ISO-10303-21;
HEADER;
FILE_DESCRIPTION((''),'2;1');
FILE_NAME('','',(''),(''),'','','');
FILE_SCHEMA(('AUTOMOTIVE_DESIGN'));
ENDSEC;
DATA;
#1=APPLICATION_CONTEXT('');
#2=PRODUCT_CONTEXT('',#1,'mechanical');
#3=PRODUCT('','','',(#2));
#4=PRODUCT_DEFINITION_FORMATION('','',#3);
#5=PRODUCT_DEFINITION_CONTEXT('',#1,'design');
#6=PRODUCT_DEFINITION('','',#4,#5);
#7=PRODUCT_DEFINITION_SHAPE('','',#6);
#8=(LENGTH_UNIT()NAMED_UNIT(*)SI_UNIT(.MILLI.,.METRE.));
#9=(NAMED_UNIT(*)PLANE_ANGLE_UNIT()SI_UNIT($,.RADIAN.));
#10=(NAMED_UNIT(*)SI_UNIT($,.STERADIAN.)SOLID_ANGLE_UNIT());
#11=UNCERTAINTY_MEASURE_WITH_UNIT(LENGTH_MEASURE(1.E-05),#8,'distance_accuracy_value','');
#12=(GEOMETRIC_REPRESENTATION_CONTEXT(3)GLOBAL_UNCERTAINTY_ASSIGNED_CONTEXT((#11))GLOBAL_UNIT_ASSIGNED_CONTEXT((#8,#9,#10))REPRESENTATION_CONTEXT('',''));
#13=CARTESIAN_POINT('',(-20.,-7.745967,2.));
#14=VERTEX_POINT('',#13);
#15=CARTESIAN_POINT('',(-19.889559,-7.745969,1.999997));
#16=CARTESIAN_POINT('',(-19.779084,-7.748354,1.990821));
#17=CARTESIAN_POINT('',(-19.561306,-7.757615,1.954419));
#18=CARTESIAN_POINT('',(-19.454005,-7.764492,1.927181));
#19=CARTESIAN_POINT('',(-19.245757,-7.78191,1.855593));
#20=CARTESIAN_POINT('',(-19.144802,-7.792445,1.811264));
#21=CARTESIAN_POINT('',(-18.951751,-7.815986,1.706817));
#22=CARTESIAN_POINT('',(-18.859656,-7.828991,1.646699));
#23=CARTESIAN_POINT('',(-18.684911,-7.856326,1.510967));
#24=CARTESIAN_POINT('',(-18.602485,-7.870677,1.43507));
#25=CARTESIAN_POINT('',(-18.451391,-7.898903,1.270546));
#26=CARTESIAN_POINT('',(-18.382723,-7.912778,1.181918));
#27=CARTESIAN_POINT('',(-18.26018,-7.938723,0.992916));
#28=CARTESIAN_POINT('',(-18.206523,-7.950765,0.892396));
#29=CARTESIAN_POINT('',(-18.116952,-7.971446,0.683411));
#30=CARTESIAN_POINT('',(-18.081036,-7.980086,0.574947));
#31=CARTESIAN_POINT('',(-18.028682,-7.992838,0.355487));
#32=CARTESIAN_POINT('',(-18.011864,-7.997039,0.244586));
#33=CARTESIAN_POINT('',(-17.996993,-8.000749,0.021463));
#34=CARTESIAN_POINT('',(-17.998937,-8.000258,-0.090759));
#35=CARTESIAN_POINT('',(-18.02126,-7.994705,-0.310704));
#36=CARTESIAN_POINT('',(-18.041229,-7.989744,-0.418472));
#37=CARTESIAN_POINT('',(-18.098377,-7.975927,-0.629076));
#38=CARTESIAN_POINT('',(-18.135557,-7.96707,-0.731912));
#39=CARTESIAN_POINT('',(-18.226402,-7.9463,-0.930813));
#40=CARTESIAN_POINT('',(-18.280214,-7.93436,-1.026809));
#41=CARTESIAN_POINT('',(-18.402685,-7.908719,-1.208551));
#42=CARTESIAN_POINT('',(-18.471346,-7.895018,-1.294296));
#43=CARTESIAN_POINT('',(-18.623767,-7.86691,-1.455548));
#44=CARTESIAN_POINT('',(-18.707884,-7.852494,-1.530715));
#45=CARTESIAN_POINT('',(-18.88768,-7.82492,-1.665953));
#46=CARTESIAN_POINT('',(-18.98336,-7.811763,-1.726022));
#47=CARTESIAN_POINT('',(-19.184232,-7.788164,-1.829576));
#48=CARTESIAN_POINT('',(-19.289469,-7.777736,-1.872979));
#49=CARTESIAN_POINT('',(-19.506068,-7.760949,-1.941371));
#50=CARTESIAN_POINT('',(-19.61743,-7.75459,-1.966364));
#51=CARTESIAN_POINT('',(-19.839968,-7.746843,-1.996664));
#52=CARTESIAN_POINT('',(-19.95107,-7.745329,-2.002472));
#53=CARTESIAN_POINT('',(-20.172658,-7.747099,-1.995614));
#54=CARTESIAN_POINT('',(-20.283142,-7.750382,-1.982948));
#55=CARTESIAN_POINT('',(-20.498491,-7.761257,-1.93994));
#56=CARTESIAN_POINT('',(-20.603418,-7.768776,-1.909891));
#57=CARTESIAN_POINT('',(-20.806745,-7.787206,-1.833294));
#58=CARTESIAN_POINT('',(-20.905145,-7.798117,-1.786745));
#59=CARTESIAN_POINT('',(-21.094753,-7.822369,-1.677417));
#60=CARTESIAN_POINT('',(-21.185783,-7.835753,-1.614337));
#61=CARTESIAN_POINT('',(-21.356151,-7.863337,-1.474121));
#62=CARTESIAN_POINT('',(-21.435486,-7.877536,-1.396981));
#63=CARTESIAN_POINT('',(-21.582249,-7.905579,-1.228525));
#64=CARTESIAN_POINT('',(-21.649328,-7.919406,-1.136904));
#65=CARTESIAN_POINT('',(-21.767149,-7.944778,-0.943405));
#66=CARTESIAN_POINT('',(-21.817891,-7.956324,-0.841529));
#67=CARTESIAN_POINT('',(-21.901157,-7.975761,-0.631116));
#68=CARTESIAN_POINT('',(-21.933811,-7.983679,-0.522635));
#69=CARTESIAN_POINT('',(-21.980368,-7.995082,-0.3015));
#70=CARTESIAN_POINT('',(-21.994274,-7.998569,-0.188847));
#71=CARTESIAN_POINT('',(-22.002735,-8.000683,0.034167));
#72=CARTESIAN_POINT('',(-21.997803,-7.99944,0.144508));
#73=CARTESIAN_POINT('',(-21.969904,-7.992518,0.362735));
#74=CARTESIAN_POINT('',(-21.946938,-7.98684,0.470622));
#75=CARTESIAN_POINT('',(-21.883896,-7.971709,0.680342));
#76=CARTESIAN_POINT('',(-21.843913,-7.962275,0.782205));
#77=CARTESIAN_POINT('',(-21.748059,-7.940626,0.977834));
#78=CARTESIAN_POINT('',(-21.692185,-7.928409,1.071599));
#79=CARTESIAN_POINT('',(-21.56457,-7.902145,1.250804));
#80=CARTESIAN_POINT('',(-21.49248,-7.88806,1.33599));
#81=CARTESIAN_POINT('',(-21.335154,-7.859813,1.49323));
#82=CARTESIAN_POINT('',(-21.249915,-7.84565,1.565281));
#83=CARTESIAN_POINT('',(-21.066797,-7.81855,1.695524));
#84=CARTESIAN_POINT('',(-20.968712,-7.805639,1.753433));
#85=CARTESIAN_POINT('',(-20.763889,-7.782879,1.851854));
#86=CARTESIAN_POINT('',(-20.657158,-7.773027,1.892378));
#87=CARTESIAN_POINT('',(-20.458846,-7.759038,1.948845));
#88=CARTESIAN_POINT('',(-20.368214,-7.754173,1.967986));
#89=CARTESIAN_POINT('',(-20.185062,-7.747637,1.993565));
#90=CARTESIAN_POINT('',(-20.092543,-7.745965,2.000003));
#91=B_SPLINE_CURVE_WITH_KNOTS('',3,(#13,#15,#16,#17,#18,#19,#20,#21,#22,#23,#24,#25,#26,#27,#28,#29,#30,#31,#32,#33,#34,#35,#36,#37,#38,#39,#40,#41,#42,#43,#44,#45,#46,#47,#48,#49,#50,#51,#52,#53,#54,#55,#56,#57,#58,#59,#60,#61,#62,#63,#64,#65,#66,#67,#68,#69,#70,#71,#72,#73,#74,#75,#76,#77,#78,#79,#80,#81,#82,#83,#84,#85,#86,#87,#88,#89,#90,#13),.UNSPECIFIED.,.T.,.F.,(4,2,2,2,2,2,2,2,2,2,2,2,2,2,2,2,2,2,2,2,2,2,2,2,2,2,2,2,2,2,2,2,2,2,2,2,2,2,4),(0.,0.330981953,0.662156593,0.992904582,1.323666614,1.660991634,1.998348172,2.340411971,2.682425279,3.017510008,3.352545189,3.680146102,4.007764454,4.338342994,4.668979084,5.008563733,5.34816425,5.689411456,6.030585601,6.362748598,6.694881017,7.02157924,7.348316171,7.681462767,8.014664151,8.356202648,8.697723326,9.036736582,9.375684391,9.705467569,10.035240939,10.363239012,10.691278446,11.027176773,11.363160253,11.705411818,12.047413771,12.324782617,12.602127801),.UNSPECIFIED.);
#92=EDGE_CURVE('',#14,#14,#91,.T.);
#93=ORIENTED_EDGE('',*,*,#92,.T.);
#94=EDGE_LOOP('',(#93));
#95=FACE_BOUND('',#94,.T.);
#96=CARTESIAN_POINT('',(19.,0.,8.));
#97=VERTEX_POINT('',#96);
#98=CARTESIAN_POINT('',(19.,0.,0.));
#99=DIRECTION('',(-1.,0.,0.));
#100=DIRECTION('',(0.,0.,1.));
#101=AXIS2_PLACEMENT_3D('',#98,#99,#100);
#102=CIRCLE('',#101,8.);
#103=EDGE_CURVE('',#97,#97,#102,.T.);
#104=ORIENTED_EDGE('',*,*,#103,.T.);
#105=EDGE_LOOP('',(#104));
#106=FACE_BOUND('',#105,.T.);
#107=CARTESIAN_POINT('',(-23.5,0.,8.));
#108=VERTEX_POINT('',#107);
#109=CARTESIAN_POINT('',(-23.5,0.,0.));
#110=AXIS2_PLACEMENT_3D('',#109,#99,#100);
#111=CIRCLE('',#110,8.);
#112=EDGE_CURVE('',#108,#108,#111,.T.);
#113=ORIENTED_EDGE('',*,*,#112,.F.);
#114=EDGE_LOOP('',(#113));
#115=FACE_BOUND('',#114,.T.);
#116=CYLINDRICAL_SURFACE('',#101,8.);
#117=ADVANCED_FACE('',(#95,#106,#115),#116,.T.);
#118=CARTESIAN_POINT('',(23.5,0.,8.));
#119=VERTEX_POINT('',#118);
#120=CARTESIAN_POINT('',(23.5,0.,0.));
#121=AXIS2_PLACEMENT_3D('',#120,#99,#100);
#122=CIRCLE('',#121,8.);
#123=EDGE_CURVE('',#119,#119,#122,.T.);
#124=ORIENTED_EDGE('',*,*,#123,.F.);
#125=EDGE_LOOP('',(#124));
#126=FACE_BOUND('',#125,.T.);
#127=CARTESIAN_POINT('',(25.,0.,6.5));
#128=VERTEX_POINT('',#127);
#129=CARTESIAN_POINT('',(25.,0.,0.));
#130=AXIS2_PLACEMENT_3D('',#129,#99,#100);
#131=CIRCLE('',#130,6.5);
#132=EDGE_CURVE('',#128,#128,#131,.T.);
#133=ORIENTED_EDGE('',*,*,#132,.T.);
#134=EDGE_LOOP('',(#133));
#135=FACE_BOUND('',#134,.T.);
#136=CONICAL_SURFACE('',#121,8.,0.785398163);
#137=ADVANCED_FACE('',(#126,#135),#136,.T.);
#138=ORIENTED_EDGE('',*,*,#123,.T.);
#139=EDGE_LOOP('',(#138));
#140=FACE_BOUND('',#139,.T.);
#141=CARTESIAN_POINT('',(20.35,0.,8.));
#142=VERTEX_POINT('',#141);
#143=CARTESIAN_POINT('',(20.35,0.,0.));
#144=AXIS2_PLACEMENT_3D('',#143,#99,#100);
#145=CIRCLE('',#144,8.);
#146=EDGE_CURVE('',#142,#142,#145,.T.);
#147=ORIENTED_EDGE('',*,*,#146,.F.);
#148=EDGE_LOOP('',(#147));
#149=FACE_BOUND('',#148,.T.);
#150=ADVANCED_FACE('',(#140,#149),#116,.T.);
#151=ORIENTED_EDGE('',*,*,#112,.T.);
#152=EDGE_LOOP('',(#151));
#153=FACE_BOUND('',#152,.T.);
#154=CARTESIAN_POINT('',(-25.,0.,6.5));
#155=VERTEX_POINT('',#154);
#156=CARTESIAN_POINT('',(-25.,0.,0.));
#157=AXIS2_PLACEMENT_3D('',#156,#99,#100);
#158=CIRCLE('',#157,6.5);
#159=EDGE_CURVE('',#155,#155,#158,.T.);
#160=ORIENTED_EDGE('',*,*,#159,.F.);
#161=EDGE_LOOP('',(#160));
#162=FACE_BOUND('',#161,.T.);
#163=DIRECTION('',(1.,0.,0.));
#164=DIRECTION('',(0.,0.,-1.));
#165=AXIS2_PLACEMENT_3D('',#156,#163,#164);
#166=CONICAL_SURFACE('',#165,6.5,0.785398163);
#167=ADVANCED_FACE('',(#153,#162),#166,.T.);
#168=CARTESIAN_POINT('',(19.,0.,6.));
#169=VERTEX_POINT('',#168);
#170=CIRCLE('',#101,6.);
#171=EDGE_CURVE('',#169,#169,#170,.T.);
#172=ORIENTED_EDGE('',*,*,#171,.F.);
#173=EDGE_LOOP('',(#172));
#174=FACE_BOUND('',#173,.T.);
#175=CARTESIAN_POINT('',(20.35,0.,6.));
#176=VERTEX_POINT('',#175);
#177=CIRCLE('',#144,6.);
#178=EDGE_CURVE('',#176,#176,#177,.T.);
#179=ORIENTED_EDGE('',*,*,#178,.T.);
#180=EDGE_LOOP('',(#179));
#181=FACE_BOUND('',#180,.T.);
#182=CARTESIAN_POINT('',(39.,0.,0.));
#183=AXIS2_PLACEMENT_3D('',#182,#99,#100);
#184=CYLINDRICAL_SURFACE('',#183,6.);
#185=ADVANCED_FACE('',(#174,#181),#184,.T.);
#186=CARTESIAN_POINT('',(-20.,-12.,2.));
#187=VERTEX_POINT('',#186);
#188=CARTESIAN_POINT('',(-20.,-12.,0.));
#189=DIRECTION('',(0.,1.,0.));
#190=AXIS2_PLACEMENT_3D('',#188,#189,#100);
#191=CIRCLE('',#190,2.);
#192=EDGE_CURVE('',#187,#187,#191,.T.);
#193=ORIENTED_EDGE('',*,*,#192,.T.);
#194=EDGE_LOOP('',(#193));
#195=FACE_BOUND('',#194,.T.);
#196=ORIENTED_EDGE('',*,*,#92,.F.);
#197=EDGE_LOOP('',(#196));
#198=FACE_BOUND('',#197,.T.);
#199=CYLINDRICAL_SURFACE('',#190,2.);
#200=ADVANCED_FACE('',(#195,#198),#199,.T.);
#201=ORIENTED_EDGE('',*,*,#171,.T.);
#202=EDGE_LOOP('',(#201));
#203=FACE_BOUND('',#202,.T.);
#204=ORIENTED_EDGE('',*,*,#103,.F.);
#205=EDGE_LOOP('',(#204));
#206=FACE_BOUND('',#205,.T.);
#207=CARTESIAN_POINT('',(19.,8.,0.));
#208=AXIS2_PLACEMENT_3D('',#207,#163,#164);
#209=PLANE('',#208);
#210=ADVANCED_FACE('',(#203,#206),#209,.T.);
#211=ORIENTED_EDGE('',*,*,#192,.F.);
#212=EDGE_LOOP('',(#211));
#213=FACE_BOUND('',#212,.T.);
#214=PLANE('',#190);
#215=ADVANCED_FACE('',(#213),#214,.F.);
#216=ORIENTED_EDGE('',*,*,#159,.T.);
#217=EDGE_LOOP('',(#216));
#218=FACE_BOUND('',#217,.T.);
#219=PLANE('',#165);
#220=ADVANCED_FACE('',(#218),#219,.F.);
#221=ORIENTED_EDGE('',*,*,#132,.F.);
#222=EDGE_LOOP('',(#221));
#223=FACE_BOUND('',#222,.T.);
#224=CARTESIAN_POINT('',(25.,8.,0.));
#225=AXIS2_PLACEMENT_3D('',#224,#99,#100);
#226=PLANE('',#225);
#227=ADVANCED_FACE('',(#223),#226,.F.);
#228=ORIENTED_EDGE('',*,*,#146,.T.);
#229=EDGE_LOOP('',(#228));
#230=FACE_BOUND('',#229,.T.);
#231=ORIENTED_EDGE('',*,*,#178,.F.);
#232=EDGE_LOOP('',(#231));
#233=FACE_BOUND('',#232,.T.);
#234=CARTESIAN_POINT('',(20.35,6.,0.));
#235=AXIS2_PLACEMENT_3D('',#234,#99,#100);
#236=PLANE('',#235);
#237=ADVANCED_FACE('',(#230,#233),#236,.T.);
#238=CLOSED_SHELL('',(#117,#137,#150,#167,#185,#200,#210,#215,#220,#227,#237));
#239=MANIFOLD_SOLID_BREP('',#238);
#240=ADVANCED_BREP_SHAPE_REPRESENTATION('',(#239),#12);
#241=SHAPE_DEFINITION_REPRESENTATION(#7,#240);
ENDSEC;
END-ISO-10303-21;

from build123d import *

# Parameters (mm, degrees)
SKETCH1_W           = 44
SKETCH1_H           = 8
SKETCH3_R           = 2
BOSS_EXTRUDE1_DEPTH = 12
SKETCH4_W           = 6
SKETCH4_H           = 8
SKETCH5_W           = 1.35
SKETCH5_H           = 2


with BuildPart() as part:
    # Sketch1 → Revolve1 (revolve)
    with BuildSketch(Plane.XY):
        with Locations((-3, 4)):
            Rectangle(SKETCH1_W, SKETCH1_H)
    revolve(axis=Axis((19, 0, 0), (-1, 0, 0)))

    # Sketch2 → Cut-Revolve1 (revolve, cut)
    with BuildSketch(Plane.XY):
        Polygon((-25, 6.5), (-23.5, 8), (-25, 8), align=None)
    revolve(axis=Axis((39, 0, 0), (-1, 0, 0)), mode=Mode.SUBTRACT)

    # Sketch3 → Boss-Extrude1 (add)
    with BuildSketch(Plane(origin=(0, 0, 0), x_dir=(1, 0, 0), z_dir=(0, 1, 0))):
        with Locations((-20, 0)):
            Circle(SKETCH3_R)
    extrude(amount=-BOSS_EXTRUDE1_DEPTH)

    # Sketch4 → Revolve2 (revolve)
    with BuildSketch(Plane.XY):
        with Locations((22, 4)):
            Rectangle(SKETCH4_W, SKETCH4_H)
    revolve(axis=Axis((25, 0, 0), (-1, 0, 0)))

    # Sketch5 → Cut-Revolve2 (revolve, cut)
    with BuildSketch(Plane.XY):
        with Locations((19.675, 7)):
            Rectangle(SKETCH5_W, SKETCH5_H)
    revolve(axis=Axis((39, 0, 0), (-1, 0, 0)), mode=Mode.SUBTRACT)

    # Sketch6 → Cut-Revolve3 (revolve, cut)
    with BuildSketch(Plane.XY):
        Polygon((23.5, 8), (25, 6.5), (25, 8), align=None)
    revolve(axis=Axis((39, 0, 0), (-1, 0, 0)), mode=Mode.SUBTRACT)


solid = part.part
